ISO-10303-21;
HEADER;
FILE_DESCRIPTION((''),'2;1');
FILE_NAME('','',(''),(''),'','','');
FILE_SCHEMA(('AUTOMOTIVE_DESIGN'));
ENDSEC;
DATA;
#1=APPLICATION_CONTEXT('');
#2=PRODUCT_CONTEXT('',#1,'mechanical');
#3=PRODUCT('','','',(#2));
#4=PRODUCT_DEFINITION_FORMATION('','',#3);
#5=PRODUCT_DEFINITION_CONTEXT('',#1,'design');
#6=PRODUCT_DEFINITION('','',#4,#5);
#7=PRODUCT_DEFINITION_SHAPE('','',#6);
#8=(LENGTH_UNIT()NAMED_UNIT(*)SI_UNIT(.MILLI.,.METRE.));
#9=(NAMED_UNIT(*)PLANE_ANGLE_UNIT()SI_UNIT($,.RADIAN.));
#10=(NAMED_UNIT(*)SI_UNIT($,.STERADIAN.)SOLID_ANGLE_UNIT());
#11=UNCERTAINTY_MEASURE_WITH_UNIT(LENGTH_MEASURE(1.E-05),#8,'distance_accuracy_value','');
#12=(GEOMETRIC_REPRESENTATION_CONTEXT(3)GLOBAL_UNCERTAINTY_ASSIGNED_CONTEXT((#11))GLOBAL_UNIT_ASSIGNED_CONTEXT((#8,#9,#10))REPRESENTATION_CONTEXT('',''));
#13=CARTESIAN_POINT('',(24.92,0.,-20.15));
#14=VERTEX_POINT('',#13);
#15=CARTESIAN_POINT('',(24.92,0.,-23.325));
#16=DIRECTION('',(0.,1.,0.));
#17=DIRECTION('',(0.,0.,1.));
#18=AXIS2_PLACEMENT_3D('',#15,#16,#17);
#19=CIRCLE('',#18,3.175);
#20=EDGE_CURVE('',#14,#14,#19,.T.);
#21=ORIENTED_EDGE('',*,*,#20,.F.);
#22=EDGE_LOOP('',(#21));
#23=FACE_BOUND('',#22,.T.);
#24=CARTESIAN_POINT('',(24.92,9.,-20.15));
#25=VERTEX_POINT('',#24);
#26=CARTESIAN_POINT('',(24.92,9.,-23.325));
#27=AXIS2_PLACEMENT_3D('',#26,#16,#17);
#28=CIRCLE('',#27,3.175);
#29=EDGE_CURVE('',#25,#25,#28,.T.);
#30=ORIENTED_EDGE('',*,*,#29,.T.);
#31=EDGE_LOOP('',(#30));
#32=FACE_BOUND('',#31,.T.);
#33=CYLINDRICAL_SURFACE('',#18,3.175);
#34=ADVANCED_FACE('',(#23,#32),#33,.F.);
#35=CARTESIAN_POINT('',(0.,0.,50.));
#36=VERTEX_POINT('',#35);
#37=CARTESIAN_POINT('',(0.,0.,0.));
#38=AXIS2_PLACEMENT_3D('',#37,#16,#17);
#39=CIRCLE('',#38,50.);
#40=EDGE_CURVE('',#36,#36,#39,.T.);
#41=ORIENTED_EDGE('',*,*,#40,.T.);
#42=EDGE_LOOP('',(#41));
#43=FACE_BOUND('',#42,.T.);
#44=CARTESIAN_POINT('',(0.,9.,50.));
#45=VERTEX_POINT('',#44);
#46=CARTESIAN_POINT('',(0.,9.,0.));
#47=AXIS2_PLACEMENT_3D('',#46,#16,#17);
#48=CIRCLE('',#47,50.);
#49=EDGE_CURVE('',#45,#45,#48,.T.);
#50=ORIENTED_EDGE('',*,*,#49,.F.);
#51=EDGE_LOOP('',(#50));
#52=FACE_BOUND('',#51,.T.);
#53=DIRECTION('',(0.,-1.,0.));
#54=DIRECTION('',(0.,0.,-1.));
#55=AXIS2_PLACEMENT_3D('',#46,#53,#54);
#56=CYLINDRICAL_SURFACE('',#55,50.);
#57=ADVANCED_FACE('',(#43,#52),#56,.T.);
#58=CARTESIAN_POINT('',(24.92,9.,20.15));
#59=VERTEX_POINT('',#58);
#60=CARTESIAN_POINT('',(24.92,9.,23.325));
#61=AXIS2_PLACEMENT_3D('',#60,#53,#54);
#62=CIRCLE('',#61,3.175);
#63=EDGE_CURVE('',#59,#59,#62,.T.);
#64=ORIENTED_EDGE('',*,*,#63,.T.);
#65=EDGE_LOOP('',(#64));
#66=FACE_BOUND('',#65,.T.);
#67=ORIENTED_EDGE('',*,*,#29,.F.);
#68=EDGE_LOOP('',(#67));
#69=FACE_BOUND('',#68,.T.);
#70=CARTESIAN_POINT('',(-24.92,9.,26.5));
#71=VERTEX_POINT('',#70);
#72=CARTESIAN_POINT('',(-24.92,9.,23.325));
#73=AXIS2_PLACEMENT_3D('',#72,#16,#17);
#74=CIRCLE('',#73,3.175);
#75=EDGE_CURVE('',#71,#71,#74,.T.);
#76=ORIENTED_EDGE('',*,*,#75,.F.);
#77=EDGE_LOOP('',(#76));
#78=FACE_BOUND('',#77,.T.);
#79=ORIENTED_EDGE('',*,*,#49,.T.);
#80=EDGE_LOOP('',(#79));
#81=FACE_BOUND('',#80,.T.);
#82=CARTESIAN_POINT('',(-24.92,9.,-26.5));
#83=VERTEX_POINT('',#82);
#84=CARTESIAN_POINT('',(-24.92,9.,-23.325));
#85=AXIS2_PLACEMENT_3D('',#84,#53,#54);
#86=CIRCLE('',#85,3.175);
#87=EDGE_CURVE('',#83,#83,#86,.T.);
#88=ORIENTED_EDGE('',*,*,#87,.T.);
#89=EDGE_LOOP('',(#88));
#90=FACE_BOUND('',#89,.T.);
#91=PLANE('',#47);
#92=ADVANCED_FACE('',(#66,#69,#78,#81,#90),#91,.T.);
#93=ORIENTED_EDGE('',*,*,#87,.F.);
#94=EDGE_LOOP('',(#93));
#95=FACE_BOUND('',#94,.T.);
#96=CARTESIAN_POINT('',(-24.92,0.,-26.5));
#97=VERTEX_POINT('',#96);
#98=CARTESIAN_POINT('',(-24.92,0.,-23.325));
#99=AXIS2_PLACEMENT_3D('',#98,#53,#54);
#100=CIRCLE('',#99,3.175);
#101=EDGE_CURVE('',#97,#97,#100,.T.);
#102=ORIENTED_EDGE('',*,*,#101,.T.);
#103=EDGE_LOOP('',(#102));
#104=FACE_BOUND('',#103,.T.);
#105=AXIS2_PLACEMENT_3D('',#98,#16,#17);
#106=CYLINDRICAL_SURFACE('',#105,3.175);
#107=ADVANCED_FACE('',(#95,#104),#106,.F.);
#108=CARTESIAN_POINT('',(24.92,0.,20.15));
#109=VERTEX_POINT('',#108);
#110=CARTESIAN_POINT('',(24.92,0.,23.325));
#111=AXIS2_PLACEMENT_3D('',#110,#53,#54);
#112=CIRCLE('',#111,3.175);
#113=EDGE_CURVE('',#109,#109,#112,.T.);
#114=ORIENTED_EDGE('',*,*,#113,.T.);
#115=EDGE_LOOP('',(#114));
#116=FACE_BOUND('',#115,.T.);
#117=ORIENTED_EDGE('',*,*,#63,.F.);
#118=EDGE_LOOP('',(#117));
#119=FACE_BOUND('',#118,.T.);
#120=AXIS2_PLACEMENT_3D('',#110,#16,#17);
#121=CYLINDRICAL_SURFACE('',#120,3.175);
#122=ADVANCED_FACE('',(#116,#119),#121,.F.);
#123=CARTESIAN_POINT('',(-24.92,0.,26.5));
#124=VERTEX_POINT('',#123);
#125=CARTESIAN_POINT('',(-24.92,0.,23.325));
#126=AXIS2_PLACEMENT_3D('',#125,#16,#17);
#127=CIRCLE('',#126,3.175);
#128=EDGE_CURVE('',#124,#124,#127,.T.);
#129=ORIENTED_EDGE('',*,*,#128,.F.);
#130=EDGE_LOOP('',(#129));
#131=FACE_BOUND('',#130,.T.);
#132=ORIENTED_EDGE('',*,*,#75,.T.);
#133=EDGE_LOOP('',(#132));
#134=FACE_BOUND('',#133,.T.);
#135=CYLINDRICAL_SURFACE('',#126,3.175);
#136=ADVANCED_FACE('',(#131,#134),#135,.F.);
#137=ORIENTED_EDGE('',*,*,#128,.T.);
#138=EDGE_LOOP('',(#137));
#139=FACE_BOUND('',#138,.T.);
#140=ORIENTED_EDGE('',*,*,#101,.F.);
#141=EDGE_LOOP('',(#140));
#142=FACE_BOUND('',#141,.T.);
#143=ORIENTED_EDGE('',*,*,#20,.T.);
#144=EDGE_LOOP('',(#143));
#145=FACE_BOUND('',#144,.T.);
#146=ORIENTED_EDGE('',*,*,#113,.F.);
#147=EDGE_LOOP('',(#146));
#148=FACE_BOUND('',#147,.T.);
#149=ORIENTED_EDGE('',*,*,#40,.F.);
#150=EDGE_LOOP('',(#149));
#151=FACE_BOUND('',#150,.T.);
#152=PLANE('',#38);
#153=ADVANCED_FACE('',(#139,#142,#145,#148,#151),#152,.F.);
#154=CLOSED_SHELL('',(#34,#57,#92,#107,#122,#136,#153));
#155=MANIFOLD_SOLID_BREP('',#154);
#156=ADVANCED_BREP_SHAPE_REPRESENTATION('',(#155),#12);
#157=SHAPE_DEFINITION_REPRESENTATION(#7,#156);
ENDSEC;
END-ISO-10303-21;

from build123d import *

# Parameters (mm, degrees)
SKETCH1_R           = 50
BOSS_EXTRUDE1_DEPTH = 9
SKETCH2_R           = 3.175
CUT_EXTRUDE1_DEPTH  = 72.281133549


with BuildPart() as part:
    # Sketch1 → Boss-Extrude1 (new body)
    with BuildSketch(Plane(origin=(0, 0, 0), x_dir=(1, 0, 0), z_dir=(0, 1, 0))):
        with Locations(Location((0, 0, 0), (0, 0, 270))):
            Circle(SKETCH1_R)
    extrude(amount=BOSS_EXTRUDE1_DEPTH)

    # Sketch2 → Cut-Extrude1 (cut, through all)
    with BuildSketch(Plane(origin=(0, 9, 0), x_dir=(1, 0, 0), z_dir=(0, 1, 0))):
        with Locations(Location((-24.92, -23.325, 0), (0, 0, 270))):
            Circle(SKETCH2_R)
        with Locations(Location((24.92, -23.325, 0), (0, 0, 90))):
            Circle(SKETCH2_R)
        with Locations(Location((24.92, 23.325, 0), (0, 0, 270))):
            Circle(SKETCH2_R)
        with Locations(Location((-24.92, 23.325, 0), (0, 0, 90))):
            Circle(SKETCH2_R)
    extrude(amount=-CUT_EXTRUDE1_DEPTH, mode=Mode.SUBTRACT)


solid = part.part
